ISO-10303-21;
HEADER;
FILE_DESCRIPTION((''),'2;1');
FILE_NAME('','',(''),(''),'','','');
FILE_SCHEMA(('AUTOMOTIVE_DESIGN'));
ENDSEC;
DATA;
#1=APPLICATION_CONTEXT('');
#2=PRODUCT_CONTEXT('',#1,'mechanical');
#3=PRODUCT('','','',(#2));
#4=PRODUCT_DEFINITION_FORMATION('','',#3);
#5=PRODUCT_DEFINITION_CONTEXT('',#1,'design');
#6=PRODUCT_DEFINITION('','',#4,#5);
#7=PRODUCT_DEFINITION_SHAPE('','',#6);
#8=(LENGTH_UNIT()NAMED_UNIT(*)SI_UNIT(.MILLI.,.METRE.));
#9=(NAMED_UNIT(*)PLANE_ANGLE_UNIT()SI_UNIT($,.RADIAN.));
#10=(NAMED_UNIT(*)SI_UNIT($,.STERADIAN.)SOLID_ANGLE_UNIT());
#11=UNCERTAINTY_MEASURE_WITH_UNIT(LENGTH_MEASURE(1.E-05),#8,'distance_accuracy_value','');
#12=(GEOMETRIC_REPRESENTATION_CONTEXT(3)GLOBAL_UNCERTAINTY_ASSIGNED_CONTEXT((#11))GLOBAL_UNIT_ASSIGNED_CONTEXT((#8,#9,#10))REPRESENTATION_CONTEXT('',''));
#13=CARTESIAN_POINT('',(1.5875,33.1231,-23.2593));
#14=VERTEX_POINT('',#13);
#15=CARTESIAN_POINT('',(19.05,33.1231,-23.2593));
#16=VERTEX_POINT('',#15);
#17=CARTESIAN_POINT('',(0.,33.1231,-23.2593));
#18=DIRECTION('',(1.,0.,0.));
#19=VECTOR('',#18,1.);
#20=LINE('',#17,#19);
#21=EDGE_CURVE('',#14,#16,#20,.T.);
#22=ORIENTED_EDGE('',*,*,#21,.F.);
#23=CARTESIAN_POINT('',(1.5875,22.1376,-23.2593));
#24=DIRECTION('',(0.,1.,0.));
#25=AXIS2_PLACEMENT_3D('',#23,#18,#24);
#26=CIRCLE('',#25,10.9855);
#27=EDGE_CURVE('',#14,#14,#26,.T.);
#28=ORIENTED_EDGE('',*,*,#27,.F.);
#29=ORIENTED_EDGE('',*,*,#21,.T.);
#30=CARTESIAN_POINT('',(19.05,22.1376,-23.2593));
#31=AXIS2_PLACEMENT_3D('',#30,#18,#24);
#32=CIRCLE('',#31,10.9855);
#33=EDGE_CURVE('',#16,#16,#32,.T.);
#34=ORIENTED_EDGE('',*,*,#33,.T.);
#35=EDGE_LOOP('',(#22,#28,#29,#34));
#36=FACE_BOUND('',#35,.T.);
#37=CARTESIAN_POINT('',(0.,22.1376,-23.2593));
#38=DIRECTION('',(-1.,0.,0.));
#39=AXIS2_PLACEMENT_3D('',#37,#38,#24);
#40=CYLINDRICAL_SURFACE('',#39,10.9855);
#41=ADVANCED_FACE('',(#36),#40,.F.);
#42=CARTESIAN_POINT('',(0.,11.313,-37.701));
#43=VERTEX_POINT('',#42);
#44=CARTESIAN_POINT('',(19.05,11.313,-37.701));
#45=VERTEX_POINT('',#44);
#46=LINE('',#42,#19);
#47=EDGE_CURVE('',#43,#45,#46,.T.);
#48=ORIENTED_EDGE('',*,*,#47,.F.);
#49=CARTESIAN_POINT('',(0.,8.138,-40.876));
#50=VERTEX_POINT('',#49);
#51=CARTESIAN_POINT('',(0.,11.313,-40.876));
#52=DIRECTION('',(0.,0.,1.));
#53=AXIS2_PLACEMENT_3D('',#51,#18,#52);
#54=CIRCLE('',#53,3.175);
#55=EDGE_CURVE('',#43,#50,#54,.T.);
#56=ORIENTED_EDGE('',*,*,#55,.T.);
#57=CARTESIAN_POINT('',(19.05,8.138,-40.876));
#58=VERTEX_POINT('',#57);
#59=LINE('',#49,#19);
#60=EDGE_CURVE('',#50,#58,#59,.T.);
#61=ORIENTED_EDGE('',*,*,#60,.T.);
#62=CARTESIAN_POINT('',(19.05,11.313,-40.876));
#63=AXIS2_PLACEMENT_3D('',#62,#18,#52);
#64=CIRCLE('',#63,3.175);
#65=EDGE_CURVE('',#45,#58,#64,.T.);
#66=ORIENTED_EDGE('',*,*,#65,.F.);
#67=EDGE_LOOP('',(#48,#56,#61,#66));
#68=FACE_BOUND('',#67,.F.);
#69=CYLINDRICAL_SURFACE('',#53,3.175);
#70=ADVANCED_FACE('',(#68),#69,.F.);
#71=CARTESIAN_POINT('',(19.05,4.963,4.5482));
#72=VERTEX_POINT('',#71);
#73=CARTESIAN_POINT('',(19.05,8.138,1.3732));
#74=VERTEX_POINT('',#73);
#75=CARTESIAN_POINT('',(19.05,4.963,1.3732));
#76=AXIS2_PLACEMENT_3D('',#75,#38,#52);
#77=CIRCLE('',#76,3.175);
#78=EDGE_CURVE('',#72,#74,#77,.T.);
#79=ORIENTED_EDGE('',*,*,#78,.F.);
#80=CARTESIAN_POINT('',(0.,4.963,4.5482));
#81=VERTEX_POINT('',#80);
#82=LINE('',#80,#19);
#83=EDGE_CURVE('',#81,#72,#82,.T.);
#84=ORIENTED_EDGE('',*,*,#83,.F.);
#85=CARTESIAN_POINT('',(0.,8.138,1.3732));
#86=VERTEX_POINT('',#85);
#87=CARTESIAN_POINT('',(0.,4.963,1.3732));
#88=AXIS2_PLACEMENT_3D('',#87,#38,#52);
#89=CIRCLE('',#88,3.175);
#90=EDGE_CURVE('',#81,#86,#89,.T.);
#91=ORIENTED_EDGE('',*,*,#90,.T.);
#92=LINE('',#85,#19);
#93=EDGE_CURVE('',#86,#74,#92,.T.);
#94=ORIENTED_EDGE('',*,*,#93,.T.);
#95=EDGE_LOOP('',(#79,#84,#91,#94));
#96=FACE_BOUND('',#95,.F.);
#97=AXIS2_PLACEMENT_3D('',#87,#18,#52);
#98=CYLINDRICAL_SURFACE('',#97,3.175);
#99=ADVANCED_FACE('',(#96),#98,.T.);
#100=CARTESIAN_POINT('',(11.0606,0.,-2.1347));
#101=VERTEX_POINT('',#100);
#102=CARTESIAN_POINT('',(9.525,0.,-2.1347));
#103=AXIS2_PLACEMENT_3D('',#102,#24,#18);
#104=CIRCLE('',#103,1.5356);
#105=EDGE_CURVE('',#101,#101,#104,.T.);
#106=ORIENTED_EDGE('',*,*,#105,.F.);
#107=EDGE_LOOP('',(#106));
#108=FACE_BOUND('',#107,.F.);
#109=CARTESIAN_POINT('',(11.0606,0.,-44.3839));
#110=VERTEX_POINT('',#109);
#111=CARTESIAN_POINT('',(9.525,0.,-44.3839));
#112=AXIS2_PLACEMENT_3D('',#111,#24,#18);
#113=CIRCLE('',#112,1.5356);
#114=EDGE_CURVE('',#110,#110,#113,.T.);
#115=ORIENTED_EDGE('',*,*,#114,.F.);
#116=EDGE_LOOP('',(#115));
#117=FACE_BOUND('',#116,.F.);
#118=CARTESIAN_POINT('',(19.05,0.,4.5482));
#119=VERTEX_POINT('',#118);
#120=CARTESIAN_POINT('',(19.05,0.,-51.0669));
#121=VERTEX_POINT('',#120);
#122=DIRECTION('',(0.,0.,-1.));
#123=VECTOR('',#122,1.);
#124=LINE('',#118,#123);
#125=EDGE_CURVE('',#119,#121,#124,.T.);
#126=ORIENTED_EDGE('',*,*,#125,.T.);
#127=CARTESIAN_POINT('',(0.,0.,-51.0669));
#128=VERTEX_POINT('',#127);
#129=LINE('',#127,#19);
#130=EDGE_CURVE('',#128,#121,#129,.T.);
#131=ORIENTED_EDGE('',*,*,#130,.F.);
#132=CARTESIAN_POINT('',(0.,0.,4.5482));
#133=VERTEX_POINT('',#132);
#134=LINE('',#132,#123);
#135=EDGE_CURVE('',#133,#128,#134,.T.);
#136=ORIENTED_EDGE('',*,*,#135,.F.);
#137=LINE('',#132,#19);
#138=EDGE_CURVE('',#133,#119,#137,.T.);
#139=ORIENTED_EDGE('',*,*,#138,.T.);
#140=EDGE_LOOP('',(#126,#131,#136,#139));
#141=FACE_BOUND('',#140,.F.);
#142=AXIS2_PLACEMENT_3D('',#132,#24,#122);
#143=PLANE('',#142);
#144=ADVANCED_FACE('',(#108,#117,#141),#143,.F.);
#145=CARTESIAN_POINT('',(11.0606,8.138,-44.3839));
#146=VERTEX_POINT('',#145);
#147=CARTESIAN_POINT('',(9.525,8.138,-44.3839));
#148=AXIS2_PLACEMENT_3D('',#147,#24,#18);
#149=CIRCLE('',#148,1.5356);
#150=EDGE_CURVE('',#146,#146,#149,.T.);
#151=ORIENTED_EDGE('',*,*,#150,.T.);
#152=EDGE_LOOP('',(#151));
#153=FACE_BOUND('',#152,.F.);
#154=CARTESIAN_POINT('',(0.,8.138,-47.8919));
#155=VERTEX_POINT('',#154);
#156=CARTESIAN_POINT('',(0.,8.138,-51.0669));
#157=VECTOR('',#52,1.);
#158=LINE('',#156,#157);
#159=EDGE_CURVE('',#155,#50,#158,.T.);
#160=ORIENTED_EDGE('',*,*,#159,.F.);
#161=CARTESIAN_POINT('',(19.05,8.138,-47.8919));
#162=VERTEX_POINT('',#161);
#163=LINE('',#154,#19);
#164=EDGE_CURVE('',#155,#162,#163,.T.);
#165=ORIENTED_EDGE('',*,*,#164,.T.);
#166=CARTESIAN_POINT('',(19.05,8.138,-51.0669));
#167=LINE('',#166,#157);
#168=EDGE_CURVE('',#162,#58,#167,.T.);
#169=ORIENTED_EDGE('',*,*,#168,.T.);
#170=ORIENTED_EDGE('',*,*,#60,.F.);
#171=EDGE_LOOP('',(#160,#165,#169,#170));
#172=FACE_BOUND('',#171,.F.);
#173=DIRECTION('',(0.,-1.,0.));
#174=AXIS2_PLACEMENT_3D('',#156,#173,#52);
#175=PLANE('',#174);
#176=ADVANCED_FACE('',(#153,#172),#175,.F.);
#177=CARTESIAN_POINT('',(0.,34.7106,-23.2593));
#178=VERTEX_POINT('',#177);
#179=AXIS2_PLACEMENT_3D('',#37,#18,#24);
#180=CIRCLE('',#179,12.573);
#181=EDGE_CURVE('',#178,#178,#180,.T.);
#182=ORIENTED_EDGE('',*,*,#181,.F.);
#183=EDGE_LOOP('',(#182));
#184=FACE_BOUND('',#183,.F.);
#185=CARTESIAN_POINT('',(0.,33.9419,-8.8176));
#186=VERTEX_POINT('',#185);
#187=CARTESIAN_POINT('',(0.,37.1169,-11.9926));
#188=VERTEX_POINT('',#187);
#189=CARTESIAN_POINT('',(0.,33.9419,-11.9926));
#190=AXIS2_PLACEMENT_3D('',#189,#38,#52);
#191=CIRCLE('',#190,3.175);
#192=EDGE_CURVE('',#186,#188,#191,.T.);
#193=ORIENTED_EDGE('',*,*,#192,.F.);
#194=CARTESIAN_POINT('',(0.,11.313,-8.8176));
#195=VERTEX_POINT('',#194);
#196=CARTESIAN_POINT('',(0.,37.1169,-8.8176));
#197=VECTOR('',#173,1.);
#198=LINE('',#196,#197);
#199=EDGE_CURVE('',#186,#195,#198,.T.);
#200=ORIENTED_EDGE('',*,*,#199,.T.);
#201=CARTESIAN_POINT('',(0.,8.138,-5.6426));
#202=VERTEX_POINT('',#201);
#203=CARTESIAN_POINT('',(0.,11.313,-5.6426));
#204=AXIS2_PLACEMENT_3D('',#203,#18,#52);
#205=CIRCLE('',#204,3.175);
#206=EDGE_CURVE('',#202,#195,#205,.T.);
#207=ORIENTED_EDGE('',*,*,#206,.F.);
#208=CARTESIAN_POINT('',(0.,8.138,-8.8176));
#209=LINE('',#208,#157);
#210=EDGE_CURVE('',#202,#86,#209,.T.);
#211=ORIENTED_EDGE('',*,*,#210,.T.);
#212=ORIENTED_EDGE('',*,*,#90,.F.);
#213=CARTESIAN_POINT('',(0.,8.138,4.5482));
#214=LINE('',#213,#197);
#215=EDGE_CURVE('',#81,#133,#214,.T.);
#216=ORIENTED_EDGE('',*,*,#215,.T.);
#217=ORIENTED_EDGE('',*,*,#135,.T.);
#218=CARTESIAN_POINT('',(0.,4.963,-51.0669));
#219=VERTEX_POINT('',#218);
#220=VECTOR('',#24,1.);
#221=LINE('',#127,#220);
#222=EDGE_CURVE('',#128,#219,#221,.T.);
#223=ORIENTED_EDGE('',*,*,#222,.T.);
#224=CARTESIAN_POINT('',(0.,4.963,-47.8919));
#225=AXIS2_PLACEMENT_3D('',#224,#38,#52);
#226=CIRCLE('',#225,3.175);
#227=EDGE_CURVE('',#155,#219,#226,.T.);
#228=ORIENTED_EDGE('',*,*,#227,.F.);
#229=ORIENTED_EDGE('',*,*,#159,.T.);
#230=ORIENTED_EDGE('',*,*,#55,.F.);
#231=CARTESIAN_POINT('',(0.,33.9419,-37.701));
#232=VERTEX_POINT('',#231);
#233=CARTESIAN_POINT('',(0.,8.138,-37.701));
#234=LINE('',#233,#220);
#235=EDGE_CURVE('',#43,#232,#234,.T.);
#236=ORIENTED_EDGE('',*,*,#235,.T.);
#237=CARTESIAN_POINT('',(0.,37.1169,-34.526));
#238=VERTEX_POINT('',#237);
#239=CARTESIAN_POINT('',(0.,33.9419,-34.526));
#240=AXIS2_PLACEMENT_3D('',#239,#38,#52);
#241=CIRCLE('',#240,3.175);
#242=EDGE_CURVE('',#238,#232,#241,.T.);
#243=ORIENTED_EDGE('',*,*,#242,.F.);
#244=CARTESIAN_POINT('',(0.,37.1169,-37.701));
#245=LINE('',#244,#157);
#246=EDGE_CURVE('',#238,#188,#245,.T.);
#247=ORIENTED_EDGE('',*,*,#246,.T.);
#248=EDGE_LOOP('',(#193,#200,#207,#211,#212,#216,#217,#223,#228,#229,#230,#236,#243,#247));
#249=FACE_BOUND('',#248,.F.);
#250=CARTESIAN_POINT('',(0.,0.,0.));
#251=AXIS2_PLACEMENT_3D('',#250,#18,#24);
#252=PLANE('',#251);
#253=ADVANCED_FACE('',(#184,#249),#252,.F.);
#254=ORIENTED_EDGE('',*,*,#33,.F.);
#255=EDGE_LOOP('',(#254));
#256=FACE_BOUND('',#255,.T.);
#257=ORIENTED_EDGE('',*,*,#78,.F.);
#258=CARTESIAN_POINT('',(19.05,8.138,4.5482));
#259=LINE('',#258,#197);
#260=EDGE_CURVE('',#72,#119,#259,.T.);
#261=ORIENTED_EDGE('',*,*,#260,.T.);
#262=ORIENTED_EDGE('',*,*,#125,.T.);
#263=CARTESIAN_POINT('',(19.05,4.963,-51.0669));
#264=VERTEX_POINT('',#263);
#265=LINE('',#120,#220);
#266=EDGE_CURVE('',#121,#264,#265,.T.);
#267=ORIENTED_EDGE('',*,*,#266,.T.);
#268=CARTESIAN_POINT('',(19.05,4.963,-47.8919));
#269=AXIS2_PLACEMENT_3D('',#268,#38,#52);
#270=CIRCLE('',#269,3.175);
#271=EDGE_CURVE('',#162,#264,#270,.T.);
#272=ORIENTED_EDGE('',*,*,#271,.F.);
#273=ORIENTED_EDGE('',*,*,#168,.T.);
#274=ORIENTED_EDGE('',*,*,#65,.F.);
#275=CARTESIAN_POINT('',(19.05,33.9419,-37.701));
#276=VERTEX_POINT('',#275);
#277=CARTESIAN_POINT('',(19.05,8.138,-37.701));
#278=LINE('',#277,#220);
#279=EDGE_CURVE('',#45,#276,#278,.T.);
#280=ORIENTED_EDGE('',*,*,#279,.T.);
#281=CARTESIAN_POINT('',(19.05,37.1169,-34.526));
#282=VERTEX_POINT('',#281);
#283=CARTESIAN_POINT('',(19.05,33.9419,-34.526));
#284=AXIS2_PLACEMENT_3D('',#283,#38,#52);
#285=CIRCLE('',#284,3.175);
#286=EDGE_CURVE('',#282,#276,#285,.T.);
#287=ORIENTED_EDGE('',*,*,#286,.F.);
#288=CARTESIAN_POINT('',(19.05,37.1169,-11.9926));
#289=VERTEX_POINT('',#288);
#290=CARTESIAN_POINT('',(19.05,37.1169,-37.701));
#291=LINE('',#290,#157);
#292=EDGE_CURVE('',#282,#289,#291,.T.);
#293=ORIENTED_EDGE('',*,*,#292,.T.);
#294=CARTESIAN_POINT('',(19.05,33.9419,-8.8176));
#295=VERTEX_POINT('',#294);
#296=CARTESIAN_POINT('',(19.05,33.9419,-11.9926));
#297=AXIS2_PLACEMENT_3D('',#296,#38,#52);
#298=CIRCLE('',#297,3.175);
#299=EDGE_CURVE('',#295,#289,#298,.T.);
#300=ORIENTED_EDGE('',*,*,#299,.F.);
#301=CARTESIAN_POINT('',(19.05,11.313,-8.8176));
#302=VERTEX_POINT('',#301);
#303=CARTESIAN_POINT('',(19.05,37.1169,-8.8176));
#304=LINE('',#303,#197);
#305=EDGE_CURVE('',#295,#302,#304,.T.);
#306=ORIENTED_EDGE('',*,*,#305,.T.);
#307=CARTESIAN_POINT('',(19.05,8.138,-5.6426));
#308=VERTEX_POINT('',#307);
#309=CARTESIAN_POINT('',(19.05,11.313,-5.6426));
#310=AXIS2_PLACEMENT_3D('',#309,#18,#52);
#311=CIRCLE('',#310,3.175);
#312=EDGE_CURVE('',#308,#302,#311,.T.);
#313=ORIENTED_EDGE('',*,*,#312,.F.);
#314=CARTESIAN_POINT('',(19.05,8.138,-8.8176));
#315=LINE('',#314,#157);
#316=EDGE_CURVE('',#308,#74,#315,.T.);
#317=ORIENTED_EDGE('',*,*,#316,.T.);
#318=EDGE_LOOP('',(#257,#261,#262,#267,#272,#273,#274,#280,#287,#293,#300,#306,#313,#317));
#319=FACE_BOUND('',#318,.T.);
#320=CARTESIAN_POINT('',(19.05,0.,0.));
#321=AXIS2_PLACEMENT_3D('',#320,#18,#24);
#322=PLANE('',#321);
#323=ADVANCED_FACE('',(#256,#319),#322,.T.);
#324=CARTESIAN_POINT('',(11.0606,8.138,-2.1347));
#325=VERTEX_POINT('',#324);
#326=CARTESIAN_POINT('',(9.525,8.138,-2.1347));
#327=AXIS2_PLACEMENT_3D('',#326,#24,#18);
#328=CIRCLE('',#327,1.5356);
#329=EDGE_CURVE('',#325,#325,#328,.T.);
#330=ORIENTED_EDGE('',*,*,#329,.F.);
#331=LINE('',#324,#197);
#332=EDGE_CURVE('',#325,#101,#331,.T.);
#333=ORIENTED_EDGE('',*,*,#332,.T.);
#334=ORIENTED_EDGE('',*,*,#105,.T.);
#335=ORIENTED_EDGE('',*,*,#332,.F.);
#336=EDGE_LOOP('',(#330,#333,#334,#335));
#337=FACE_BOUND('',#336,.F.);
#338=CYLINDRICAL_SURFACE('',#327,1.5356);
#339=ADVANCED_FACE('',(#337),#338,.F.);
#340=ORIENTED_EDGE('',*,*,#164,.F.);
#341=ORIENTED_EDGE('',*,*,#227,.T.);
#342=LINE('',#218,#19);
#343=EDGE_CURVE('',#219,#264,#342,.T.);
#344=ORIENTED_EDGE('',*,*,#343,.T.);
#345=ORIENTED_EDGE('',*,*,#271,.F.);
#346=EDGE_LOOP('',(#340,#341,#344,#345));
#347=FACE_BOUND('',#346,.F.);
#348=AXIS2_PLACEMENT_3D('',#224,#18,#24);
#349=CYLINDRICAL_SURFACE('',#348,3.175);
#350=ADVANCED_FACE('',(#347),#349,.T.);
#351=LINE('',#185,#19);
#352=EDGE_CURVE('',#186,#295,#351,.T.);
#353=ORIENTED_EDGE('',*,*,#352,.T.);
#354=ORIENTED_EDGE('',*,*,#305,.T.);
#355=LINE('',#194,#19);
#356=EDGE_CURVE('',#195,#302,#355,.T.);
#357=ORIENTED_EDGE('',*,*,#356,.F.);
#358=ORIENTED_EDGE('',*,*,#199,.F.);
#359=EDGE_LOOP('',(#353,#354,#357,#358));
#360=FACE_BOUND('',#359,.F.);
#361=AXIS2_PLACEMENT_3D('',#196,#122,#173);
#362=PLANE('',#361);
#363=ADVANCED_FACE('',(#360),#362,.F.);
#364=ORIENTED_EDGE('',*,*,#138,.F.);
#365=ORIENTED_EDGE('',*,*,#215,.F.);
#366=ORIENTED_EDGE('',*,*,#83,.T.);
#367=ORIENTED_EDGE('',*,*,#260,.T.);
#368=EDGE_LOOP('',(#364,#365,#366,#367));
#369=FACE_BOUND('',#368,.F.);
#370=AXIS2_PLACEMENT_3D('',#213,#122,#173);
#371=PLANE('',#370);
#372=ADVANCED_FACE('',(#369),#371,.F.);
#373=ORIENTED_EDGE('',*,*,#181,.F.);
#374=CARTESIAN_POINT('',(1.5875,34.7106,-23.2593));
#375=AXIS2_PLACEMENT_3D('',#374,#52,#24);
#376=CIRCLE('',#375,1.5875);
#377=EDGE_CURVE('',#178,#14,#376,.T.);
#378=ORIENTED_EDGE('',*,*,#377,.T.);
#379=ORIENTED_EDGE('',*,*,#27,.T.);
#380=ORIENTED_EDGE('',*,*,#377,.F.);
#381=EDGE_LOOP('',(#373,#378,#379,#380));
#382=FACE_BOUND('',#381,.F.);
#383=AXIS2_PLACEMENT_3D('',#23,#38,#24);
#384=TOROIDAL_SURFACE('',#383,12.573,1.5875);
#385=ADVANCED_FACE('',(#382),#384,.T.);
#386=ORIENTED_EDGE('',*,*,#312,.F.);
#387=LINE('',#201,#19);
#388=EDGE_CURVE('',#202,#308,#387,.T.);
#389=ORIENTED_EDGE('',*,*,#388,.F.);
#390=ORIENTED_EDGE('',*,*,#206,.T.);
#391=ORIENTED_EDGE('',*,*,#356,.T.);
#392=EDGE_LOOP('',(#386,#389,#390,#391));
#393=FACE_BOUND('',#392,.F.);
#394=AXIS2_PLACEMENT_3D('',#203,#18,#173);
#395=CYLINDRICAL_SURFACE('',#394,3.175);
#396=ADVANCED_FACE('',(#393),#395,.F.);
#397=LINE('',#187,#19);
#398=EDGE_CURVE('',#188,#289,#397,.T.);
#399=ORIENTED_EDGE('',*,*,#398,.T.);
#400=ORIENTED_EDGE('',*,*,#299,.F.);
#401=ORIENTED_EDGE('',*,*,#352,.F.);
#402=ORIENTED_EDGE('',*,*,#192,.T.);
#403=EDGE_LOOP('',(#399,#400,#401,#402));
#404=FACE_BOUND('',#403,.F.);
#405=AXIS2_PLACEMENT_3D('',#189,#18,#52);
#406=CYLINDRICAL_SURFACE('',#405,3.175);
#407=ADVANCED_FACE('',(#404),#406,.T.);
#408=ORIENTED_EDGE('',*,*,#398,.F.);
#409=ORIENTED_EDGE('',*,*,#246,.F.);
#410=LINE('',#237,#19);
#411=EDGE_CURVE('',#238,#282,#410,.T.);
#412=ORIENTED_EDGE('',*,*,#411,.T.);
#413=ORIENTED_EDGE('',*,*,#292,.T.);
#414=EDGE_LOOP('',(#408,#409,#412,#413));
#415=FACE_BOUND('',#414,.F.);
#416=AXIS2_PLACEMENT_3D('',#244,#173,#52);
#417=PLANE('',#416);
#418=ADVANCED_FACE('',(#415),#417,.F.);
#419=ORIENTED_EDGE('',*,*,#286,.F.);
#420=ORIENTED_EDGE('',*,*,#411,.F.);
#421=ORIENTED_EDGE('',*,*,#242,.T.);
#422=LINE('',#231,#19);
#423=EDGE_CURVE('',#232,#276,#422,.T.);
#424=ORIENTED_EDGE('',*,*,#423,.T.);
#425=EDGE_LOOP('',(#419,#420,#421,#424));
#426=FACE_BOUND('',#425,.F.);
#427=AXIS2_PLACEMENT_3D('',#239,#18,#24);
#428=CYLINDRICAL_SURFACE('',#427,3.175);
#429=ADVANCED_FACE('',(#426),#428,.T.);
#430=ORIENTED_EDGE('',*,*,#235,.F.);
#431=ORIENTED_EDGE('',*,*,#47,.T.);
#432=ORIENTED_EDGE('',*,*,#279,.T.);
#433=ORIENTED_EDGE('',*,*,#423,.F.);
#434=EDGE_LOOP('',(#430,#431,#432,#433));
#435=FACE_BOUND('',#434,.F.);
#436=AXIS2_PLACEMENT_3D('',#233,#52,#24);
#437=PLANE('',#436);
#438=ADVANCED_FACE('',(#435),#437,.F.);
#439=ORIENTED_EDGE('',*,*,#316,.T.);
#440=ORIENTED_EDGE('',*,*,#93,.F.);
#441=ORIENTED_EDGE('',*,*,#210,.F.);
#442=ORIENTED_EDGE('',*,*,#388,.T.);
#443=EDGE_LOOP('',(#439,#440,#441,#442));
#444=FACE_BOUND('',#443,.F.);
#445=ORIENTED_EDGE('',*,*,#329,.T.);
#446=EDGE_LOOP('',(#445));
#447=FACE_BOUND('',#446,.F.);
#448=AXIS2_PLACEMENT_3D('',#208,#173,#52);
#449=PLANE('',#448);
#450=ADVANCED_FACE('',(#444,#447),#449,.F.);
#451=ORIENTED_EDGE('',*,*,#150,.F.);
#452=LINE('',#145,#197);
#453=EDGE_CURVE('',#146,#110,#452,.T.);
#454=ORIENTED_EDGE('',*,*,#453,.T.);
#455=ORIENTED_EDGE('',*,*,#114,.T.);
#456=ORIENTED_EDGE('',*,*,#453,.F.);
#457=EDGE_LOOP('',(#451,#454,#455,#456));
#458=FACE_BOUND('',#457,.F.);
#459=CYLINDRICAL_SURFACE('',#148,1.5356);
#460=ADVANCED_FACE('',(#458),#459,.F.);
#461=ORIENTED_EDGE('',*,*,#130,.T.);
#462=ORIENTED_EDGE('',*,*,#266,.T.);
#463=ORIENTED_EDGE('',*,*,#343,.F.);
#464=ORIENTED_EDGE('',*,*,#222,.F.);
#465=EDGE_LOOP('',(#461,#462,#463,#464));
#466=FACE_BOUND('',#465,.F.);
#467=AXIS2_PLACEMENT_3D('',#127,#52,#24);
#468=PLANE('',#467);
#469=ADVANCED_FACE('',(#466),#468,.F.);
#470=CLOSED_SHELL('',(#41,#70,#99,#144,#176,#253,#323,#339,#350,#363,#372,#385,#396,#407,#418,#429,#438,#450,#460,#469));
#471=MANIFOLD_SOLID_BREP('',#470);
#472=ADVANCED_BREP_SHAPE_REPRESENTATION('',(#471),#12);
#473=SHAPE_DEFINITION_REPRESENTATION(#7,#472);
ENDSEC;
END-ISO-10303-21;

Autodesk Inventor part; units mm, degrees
ref_plane "YZ Plane" through (0, 0, 0) normal (1, 0, 0) x (0, 1, 0)
ref_plane "XZ Plane" through (0, 0, 0) normal (0, 1, 0) x (-1, 0, 0)
ref_plane "XY Plane" through (0, 0, 0) normal (0, 0, 1) x (1, 0, 0)
sketch "Sketch1" plane through (0, 0, 0) normal (1, 0, 0) x (0, 1, 0)
  line L0 (0, 4.5482) -> (0, -51.0669)
  line L1 (0, -51.0669) -> (8.138, -51.0669)
  line L2 (8.138, -51.0669) -> (8.138, -37.701)
  line L3 (8.138, -37.701) -> (37.1169, -37.701)
  line L4 (37.1169, -37.701) -> (37.1169, -8.8176)
  line L5 (37.1169, -8.8176) -> (8.138, -8.8176)
  line L6 (8.138, -8.8176) -> (8.138, 4.5482)
  line L7 (8.138, 4.5482) -> (0, 4.5482)
  line L8 (37.1169, -23.2593) -> (0, -23.2593) construction
  circle A0 centre (22.1376, -23.2593) radius 10.9855
  dimension "d0" = 21.971
extrude "Extrusion1" add sketch "Sketch1" along normal blind 19.05
fillet "Fillet1" radius 3.175 6 edges at (9.525, 37.1169, -8.8176) (9.525, 8.138, -8.8176) (9.525, 37.1169, -37.701) (9.525, 8.138, -37.701) (9.525, 8.138, -51.0669) (9.525, 8.138, 4.5482)
sketch "Sketch2" plane through (0, 8.138, -40.876) normal (0, 1, 0) x (1, 0, 0)
  line L0 (0, 7.0159) -> (19.05, 7.0159) projected
  line L1 (0, 7.0159) -> (0, 0) projected
  line L2 (19.05, 0) -> (0, 0) projected
  line L3 (19.05, 7.0159) -> (19.05, 0) projected
  line L4 (19.05, -42.2493) -> (0, -42.2493) projected
  line L5 (19.05, -35.2334) -> (19.05, -42.2493) projected
  line L6 (0, -35.2334) -> (19.05, -35.2334) projected
  line L7 (0, -35.2334) -> (0, -42.2493) projected
  line L8 (0, 7.0159) -> (19.05, 7.0159) construction
  line L9 (9.525, 7.0159) -> (9.525, 0) construction
  line L10 (0, -35.2334) -> (19.05, -35.2334) construction
  line L11 (9.525, -35.2334) -> (9.525, -42.2493) construction
  circle A0 centre (9.525, 3.5079) radius 1.5356
  circle A1 centre (9.525, -38.7413) radius 1.5356
  point P0 (0, -40.876)
  dimension "d4" = 3.0712
extrude "Extrusion2" cut sketch "Sketch2" against normal through all contours A0 | A1
fillet "Fillet2" radius 1.5875 1 edges at (0, 11.1521, -23.2593)
properties part number "bearing holder"
